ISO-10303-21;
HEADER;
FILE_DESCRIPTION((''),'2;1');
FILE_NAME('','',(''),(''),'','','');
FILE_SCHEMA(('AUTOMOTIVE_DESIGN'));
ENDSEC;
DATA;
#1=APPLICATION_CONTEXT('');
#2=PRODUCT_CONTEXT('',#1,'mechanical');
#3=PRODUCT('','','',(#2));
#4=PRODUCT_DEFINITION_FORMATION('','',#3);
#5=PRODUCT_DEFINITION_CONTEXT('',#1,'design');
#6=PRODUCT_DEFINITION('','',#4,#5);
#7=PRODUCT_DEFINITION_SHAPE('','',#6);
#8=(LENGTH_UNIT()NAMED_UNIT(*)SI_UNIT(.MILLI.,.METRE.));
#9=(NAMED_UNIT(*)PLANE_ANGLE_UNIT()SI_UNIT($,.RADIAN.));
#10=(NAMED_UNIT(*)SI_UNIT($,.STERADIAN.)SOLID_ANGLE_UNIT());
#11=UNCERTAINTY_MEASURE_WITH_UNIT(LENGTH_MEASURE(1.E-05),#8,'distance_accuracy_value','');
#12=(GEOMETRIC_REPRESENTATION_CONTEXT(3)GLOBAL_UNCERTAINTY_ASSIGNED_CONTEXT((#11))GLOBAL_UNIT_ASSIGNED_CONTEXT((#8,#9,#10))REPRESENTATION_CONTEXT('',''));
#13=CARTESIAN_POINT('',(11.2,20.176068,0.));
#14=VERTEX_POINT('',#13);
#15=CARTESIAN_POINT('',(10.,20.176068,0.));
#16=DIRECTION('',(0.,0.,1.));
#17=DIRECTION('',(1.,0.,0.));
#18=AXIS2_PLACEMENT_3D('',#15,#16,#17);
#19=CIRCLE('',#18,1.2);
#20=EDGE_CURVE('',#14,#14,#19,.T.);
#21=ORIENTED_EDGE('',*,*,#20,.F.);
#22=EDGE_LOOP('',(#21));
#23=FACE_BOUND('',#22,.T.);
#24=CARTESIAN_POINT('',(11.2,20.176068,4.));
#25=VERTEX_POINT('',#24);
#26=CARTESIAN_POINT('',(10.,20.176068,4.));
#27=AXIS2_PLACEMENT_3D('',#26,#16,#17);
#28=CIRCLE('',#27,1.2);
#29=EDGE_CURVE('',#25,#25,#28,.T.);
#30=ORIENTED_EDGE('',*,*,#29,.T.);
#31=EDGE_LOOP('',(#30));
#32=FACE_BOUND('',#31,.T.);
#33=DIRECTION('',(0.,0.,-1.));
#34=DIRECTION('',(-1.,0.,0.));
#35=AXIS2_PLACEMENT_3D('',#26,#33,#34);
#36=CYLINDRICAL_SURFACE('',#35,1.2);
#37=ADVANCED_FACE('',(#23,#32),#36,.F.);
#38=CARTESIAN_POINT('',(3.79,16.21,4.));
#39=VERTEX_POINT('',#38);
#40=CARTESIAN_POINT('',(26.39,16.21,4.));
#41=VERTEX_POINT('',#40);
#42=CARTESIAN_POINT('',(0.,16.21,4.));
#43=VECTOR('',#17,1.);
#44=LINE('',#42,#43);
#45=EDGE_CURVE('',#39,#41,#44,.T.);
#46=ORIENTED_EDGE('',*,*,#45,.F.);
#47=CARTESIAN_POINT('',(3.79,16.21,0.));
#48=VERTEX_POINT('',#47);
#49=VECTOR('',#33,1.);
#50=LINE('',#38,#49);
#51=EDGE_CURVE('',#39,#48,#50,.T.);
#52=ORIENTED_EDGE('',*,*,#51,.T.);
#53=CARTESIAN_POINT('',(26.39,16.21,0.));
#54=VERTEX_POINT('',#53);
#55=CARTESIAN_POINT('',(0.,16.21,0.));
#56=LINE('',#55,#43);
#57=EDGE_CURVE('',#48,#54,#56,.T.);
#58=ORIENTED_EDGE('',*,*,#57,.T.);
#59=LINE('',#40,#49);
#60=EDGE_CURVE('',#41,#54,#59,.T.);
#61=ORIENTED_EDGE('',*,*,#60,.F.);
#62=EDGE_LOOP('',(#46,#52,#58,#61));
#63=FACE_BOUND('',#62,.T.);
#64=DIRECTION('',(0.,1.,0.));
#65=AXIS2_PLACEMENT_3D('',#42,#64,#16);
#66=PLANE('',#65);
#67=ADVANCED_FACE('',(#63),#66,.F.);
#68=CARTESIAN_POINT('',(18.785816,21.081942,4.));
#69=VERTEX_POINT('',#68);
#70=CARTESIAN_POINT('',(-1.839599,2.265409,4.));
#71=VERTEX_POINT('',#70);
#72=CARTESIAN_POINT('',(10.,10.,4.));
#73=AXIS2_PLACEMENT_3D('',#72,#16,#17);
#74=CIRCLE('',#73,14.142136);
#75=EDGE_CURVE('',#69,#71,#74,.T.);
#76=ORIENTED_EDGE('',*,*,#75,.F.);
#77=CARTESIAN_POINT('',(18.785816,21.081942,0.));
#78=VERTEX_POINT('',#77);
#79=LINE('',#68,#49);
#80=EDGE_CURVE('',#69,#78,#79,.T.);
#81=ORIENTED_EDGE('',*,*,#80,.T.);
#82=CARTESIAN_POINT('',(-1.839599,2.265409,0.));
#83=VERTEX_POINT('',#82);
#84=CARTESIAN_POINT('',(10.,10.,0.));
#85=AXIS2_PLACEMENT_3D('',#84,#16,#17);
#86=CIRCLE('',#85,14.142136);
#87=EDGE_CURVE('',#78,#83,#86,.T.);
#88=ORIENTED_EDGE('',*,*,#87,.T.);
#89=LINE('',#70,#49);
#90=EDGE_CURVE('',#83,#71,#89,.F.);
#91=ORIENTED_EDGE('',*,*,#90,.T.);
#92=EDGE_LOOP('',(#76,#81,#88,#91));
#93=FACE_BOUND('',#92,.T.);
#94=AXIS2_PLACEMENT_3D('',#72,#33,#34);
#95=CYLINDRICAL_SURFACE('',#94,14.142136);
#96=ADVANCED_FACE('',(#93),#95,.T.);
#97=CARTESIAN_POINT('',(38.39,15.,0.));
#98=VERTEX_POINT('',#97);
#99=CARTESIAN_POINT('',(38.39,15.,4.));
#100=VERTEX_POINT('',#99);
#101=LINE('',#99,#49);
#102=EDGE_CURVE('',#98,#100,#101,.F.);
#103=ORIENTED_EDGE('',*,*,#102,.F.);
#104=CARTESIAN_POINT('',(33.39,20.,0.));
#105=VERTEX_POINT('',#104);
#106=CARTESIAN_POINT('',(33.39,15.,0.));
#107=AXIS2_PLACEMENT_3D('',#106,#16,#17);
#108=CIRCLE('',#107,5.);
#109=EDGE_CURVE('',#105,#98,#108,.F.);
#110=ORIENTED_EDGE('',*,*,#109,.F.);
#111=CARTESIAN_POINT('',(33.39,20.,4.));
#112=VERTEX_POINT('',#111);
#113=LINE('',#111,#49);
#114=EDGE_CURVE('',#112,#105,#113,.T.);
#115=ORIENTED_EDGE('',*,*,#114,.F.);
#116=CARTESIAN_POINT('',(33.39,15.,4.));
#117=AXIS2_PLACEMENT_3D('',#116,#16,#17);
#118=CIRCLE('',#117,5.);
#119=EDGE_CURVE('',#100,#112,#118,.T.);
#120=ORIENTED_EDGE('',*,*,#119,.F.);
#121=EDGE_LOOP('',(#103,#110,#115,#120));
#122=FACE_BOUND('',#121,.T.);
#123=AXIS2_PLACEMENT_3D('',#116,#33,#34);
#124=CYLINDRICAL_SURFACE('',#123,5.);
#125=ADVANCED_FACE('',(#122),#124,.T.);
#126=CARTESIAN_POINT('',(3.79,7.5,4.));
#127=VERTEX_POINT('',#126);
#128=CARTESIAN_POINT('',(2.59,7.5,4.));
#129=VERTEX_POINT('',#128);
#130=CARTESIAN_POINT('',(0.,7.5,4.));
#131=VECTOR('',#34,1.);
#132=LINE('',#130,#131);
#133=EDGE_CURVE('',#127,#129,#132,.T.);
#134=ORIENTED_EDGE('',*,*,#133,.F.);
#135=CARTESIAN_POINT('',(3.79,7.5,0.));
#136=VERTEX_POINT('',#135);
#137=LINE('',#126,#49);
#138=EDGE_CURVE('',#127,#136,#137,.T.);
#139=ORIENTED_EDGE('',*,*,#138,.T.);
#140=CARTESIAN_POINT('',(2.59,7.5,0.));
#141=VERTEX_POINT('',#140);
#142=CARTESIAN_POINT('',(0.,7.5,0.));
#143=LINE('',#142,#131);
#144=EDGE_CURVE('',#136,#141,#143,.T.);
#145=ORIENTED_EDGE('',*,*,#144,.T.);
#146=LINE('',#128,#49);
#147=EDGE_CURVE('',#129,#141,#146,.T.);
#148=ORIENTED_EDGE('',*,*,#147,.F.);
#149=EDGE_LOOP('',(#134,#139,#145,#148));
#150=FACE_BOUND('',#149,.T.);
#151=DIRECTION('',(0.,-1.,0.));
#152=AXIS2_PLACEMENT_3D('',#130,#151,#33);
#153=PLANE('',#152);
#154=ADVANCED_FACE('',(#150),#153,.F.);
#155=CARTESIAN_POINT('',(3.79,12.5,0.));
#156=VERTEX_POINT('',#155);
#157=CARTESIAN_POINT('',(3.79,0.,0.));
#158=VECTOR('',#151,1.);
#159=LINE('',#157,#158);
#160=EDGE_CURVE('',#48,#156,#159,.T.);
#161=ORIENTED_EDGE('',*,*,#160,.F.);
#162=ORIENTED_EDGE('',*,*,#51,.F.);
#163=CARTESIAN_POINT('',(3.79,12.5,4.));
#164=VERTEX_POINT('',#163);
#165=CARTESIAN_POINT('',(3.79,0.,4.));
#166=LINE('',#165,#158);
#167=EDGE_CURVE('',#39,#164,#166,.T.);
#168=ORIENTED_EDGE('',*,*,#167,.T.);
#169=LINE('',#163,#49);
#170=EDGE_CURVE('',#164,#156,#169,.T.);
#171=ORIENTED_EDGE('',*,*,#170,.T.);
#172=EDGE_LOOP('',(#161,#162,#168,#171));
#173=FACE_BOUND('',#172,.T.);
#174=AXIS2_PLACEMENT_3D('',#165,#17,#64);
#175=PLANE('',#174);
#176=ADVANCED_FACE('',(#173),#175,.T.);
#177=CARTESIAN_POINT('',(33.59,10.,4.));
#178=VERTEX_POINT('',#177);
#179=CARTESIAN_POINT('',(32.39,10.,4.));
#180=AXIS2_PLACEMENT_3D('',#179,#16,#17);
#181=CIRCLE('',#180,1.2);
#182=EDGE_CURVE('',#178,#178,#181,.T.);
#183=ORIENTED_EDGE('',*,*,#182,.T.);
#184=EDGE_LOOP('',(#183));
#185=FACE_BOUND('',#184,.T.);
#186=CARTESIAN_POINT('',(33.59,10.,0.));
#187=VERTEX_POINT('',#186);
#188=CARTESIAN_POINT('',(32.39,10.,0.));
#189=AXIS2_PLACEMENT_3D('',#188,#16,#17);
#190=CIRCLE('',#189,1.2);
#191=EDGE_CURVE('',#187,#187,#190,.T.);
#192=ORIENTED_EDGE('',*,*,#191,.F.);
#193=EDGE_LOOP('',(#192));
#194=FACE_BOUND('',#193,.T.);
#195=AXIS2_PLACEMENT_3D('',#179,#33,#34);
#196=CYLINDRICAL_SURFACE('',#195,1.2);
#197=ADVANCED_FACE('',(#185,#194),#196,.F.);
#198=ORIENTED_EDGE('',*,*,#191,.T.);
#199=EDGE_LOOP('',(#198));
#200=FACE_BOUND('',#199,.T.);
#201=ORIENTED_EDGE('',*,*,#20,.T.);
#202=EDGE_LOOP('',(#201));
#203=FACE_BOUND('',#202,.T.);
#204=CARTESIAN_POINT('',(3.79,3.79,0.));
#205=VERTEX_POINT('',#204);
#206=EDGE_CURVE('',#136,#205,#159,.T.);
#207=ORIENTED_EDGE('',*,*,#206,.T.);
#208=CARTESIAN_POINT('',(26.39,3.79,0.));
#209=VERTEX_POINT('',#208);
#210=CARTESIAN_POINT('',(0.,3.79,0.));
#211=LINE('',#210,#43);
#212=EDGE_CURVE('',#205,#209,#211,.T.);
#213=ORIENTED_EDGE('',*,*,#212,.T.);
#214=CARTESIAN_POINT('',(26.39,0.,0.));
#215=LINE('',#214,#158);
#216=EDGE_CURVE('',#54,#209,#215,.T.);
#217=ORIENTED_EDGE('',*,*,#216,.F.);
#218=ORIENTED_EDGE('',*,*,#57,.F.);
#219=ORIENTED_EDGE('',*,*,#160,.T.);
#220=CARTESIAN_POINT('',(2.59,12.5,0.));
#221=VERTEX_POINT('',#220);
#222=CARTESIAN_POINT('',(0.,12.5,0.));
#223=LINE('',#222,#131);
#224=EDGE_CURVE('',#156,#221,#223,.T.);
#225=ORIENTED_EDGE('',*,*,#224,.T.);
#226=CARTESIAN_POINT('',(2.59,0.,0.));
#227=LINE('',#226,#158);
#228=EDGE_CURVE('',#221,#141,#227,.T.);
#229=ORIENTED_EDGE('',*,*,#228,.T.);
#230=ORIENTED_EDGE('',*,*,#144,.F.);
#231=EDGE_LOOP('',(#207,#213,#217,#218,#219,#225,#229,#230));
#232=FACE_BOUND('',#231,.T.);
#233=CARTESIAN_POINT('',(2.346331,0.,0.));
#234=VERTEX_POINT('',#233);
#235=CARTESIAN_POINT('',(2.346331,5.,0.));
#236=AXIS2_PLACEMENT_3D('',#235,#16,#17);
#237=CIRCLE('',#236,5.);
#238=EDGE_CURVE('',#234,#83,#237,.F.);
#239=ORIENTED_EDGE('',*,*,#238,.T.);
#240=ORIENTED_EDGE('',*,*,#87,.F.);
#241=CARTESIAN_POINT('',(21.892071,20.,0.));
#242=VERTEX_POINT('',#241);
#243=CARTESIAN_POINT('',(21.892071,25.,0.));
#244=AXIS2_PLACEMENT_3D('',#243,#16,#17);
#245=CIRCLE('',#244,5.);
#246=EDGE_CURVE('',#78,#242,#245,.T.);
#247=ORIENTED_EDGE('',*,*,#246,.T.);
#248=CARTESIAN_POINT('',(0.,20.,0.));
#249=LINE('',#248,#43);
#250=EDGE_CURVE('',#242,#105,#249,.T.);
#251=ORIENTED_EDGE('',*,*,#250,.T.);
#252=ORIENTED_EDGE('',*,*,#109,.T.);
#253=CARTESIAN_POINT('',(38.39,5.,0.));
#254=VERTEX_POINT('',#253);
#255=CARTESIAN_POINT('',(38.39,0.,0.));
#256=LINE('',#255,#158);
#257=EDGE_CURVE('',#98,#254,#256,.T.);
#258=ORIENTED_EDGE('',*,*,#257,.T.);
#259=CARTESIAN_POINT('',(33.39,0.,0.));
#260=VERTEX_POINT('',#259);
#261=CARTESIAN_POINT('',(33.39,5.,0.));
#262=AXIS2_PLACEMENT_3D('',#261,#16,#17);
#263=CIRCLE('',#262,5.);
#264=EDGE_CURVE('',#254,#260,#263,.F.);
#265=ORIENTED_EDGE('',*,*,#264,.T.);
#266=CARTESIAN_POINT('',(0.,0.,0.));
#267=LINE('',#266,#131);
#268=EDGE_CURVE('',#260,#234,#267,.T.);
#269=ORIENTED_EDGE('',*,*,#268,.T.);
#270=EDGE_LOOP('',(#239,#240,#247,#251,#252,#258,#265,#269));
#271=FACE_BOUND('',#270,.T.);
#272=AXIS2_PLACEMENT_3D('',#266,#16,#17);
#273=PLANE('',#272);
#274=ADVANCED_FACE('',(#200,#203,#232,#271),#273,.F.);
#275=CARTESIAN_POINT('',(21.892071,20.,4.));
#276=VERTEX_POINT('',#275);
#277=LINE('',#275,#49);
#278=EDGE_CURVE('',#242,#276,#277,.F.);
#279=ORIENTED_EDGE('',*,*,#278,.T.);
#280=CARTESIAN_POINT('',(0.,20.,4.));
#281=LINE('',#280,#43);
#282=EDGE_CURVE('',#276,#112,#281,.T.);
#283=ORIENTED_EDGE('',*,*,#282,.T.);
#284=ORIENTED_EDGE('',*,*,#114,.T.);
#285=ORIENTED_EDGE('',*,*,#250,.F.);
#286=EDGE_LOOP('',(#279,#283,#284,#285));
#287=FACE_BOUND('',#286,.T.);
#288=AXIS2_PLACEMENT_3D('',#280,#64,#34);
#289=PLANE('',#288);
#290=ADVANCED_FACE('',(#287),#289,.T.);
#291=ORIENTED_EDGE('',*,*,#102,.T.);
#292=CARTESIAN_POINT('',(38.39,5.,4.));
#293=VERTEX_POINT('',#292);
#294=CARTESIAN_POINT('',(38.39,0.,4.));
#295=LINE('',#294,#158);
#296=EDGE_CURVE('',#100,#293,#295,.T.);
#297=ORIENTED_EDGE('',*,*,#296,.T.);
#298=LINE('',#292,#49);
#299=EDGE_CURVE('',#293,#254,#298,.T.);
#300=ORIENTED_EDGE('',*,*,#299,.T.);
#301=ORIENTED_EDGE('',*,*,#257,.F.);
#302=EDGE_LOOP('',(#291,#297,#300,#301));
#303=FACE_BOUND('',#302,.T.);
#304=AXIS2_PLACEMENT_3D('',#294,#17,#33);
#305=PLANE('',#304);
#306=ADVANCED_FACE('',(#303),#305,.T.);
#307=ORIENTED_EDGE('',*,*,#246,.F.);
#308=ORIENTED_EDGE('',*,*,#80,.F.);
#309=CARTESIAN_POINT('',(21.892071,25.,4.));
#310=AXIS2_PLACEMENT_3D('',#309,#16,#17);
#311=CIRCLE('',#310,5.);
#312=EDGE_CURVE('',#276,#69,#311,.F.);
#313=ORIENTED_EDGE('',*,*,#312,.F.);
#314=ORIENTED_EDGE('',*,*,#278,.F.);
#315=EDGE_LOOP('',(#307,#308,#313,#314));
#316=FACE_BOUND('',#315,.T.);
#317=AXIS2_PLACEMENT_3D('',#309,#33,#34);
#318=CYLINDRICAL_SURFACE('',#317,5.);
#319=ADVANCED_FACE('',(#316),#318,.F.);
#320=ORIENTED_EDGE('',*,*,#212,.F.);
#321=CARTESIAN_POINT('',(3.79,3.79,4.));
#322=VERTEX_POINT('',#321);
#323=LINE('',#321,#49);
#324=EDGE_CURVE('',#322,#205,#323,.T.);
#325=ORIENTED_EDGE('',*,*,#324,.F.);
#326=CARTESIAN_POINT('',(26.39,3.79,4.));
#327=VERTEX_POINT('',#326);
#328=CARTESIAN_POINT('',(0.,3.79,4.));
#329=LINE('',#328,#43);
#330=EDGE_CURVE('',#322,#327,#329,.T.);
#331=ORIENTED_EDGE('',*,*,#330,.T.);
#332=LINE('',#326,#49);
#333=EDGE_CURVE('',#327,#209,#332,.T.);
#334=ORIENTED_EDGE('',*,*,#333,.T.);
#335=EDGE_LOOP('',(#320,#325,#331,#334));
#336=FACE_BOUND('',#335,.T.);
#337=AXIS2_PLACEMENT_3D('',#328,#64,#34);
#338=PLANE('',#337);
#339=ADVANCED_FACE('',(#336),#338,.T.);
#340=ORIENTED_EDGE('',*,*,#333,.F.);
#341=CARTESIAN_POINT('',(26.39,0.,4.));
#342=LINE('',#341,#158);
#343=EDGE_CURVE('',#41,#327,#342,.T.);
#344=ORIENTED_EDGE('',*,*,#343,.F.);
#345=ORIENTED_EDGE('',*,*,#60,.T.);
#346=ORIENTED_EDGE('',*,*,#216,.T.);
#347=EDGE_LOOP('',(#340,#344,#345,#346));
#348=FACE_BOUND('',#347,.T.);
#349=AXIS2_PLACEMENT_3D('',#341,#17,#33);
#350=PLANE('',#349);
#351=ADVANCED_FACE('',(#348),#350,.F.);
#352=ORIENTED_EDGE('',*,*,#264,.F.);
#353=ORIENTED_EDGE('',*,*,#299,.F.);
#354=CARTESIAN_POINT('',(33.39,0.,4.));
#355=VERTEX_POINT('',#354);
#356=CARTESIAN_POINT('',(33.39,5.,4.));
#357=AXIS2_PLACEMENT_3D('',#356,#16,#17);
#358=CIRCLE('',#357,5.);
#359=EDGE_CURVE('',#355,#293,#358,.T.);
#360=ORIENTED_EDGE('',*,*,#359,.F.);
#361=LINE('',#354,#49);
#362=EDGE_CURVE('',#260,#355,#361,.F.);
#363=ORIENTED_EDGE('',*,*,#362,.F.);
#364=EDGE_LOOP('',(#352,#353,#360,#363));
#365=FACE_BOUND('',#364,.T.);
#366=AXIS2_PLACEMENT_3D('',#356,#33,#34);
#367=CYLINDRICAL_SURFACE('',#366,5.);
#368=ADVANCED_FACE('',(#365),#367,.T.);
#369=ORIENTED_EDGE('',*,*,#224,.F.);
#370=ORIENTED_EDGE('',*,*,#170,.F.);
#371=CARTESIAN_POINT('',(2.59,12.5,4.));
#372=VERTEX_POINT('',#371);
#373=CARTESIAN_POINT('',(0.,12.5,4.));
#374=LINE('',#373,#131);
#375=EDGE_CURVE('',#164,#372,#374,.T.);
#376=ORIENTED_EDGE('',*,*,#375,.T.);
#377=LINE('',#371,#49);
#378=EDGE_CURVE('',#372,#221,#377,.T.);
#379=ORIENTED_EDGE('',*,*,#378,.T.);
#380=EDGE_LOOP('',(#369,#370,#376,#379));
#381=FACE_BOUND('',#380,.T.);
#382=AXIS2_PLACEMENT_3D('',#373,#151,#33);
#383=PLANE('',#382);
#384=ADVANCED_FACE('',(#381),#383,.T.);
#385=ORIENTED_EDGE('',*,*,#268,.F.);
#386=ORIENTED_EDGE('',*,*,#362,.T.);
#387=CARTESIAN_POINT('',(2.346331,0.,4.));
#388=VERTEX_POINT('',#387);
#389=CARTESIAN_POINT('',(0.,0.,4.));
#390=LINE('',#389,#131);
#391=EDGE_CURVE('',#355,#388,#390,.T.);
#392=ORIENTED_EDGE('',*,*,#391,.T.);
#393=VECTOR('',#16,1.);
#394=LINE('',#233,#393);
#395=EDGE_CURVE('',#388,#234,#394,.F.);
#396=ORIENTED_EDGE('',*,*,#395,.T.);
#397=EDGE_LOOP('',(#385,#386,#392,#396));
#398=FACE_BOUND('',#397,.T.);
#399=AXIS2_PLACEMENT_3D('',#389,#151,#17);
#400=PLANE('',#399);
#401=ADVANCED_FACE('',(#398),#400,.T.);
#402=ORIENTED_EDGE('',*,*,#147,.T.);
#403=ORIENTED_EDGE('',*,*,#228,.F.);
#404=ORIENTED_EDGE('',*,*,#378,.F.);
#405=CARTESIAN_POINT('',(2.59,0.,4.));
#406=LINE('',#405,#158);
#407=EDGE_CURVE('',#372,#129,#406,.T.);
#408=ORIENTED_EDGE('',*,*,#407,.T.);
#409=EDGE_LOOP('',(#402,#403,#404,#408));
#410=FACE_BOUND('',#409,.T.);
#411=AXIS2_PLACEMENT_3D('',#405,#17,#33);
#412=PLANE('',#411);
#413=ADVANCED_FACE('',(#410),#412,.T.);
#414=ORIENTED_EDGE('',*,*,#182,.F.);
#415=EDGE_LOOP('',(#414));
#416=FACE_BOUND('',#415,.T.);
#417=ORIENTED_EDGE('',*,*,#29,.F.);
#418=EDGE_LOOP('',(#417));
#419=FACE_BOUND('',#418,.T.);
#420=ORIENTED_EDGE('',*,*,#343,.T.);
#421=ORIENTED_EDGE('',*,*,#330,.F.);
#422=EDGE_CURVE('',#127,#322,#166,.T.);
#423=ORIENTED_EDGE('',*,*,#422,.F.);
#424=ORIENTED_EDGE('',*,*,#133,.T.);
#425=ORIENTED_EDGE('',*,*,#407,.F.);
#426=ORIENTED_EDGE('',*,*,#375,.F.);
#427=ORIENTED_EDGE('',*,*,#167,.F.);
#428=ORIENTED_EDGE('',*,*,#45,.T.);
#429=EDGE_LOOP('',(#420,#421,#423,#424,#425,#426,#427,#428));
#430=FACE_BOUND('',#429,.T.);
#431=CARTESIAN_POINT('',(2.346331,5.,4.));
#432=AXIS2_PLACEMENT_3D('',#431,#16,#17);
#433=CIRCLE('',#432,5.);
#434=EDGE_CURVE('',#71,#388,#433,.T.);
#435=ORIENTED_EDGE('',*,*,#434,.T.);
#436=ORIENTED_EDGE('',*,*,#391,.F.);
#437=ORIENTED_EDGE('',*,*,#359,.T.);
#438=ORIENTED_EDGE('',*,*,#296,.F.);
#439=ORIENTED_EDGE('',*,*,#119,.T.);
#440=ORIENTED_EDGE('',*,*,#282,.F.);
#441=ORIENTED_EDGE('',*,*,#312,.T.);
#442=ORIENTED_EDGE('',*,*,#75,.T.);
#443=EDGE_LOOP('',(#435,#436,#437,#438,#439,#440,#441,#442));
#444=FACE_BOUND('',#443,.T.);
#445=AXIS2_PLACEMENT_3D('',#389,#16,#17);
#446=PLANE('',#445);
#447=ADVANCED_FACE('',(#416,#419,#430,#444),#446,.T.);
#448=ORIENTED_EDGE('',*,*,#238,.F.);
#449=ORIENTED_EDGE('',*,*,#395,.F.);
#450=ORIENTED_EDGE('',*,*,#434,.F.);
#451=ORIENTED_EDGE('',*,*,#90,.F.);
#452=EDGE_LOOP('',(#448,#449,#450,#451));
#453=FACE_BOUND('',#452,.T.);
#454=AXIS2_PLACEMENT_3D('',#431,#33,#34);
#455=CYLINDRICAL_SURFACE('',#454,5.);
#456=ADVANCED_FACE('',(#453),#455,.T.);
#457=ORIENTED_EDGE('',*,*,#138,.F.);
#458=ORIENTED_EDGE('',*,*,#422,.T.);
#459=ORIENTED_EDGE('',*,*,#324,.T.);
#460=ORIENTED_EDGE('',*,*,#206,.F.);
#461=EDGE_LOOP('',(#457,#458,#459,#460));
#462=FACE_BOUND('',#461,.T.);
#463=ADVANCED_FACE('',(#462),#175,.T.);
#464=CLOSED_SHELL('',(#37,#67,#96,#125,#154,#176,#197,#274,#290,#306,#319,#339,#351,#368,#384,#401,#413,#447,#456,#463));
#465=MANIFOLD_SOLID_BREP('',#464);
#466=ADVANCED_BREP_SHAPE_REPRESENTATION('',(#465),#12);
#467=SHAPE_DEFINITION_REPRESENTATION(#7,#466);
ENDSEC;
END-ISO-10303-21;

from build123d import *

# Parameters (mm, degrees)
SKETCH1_R           = 1.2
BOSS_EXTRUDE1_DEPTH = 4
FILLET1_R           = 5


with BuildPart() as part:
    # Sketch1 → Boss-Extrude1 (new body)
    with BuildSketch(Plane.XY):
        with BuildLine():
            Line((0, 0), (38.39, 0))
            Line((38.39, 0), (38.39, 20))
            Line((38.39, 20), (20, 20))
            ThreePointArc((20, 20), (0, 20), (0, 0))
        make_face()
        Polygon((3.79, 3.79), (3.79, 7.5), (2.59, 7.5), (2.59, 12.5), (3.79, 12.5), (3.79, 16.21), (26.39, 16.21), (26.39, 3.79), align=None, mode=Mode.SUBTRACT)
        with Locations((10, 20.176067812)):
            Circle(SKETCH1_R, mode=Mode.SUBTRACT)
        with Locations((32.39, 10)):
            Circle(SKETCH1_R, mode=Mode.SUBTRACT)
    extrude(amount=BOSS_EXTRUDE1_DEPTH)

    # Fillet1
    fillet1_edges = [part.edges().sort_by_distance(p)[0] for p in [
        (38.39, 20, 2),
        (38.39, 0, 2),
        (0, 0, 2),
        (20, 20, 2),
    ]]
    fillet(fillet1_edges, radius=FILLET1_R)


solid = part.part
